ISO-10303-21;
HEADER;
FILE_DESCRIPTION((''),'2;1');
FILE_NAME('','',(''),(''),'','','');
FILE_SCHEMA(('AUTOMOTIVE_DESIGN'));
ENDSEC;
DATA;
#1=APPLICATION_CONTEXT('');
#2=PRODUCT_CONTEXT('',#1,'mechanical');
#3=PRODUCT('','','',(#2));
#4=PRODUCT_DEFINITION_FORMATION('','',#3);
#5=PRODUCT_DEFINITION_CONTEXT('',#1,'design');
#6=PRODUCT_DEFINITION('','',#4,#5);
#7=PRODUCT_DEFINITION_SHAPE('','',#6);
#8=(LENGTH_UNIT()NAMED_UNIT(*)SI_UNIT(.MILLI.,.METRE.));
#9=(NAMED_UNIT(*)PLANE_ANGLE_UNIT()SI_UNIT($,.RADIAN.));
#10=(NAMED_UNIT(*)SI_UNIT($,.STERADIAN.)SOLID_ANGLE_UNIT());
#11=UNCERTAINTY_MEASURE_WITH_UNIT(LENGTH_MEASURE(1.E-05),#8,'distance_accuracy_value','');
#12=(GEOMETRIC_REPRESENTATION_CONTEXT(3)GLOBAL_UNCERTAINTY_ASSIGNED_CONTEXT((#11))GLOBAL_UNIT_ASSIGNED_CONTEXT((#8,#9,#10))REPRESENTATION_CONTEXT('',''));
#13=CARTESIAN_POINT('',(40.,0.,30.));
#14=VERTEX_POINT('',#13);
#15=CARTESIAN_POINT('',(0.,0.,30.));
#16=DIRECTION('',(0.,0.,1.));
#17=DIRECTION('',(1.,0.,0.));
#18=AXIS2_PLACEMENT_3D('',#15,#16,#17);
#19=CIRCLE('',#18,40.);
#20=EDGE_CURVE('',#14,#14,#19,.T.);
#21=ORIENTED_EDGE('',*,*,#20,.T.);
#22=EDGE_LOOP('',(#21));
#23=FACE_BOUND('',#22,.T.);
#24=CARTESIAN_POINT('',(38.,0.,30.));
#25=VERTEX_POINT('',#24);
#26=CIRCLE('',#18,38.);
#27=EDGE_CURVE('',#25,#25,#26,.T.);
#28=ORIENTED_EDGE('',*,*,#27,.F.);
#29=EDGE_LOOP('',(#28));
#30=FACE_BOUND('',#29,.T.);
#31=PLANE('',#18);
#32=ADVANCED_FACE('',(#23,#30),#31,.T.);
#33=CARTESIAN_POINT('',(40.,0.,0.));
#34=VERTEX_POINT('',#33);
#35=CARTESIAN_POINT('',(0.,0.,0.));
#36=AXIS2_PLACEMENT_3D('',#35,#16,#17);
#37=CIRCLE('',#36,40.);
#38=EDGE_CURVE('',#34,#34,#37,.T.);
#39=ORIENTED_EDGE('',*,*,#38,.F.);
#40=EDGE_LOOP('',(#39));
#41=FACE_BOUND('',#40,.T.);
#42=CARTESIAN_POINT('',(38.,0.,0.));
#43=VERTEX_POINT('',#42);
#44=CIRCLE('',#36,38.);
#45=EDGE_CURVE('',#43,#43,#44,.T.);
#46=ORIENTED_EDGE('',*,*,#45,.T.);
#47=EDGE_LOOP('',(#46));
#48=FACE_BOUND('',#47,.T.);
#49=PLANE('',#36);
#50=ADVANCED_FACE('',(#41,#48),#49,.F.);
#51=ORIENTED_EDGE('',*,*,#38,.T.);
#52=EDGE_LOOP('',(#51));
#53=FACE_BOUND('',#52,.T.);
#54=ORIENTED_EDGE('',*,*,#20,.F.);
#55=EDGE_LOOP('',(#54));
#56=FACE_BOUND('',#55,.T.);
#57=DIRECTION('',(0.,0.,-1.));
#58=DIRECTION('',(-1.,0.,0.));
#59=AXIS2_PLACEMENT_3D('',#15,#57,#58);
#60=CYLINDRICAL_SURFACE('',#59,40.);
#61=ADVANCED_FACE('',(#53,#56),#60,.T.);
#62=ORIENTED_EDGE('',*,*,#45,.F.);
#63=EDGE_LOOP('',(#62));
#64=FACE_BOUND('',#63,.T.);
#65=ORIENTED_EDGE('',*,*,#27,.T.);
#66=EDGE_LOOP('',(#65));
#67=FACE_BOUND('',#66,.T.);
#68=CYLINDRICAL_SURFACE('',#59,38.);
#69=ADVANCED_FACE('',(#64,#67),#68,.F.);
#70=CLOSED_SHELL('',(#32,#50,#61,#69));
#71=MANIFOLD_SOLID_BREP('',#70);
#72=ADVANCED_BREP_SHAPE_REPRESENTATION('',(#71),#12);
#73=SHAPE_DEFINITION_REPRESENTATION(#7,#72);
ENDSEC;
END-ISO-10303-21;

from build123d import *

# Parameters (mm, degrees)
SKETCH_1_R      = 40
SKETCH_1_R_2    = 38
EXTRUDE_1_DEPTH = 30


with BuildPart() as part:
    # 草图1 → 凸台-拉伸1 (new body)
    with BuildSketch(Plane.XY):
        Circle(SKETCH_1_R)
        Circle(SKETCH_1_R_2, mode=Mode.SUBTRACT)
    extrude(amount=EXTRUDE_1_DEPTH)


solid = part.part
